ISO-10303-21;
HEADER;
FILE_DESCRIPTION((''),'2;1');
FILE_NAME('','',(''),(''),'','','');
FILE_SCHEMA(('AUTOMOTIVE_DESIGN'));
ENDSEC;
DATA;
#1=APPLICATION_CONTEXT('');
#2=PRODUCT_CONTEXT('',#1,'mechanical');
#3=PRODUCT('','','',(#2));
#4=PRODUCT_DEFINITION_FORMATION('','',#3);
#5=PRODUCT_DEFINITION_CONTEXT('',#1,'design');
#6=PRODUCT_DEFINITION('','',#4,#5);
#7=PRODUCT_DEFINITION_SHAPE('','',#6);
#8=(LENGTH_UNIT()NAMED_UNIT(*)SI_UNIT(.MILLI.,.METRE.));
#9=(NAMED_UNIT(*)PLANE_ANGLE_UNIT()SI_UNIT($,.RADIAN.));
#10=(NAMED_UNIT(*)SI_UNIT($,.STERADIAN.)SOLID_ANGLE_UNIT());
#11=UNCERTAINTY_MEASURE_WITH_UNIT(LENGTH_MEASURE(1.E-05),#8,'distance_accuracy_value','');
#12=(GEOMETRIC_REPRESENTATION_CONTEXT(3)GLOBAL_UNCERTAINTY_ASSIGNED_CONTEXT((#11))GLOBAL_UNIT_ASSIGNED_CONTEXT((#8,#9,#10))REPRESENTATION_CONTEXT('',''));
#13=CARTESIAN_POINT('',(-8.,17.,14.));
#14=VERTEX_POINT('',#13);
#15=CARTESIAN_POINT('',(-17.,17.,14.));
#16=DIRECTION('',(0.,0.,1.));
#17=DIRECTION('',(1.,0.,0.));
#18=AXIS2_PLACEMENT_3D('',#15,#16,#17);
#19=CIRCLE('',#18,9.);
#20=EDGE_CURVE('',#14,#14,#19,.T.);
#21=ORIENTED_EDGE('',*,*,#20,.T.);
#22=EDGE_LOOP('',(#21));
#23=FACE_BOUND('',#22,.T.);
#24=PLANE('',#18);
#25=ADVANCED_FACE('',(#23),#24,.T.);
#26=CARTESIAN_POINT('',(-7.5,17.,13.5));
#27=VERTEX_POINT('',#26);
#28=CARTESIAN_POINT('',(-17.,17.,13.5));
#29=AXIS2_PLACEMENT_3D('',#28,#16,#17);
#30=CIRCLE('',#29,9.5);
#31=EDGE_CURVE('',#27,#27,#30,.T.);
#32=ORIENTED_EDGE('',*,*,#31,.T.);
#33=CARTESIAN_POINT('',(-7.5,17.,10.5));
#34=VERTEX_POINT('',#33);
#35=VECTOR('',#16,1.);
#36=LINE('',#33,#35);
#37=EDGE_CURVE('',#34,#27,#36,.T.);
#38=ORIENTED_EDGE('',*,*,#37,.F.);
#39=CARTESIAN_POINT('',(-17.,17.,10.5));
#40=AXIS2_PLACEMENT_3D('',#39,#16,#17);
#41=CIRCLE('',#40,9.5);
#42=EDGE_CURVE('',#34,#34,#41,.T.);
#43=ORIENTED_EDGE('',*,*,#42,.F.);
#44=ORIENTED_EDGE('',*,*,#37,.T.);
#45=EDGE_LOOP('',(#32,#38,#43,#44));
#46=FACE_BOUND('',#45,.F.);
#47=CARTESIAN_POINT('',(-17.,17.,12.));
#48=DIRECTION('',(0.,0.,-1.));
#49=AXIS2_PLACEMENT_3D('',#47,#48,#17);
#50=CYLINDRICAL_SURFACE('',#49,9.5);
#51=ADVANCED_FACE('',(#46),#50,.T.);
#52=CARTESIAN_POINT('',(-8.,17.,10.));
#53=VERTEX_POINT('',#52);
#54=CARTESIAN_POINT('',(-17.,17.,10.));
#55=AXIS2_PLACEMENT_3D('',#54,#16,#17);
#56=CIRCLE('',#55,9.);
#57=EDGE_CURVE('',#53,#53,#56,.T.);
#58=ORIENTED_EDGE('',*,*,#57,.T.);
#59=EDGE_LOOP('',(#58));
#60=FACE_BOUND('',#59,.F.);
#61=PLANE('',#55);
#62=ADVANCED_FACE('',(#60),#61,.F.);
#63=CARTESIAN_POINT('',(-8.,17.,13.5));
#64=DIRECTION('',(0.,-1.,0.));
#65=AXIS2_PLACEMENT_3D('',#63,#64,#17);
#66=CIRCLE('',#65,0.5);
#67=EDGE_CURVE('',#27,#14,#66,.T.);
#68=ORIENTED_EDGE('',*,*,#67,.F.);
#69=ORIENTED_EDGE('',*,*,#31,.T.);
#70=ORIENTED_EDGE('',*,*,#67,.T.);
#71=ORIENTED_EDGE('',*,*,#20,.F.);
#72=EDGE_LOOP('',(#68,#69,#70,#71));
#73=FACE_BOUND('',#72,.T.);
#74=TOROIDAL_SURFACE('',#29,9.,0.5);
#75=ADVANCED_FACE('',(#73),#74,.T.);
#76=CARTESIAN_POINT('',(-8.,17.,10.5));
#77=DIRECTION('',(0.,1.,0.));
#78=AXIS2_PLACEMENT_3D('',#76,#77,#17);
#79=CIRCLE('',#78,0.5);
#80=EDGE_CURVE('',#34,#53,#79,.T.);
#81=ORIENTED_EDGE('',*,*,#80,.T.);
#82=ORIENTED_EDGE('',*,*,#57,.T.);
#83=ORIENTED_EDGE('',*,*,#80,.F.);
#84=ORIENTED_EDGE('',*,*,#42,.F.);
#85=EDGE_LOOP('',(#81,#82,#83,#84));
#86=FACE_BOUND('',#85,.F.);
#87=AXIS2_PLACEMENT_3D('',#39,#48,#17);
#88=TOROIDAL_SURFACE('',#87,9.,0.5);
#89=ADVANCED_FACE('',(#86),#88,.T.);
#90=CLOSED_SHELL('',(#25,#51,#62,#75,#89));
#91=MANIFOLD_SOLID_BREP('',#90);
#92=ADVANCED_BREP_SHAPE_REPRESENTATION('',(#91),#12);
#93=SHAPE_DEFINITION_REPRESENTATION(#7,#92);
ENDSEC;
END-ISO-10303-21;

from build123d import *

# Parameters (mm, degrees)
CYLINDER005_R     = 9.5
CYLINDER005_DEPTH = 2
FILLET005_R       = 0.5
CYLINDER004_R     = 9.5
CYLINDER004_DEPTH = 2
FILLET004_R       = 0.5


with BuildPart() as fillet005:
    # Cylinder005 → Cylinder005 (new body)
    with BuildSketch(Plane.XY.offset(12)):
        Circle(CYLINDER005_R)
    extrude(amount=CYLINDER005_DEPTH)

    # Fillet005
    fillet005_edges = [fillet005.edges().sort_by_distance(p)[0] for p in [
        (-9.5, 0, 14),
    ]]
    fillet(fillet005_edges, radius=FILLET005_R)


with BuildPart() as disc002:
    # Cylinder004 → Cylinder004 (new body)
    with BuildSketch(Plane.XY.offset(11)):
        Circle(CYLINDER004_R)
    extrude(amount=CYLINDER004_DEPTH)

    # Fillet004
    fillet004_edges = [disc002.edges().sort_by_distance(p)[0] for p in [
        (-9.5, 0, 11),
    ]]
    fillet(fillet004_edges, radius=FILLET004_R)


with BuildPart() as disc002_1:
    # Fillet004 placement: moved
    add(disc002.part.moved(Location((0, 0, -1))))

    # Fusion004: union Fillet005
    add(fillet005.part)


with BuildPart() as disc002_2:
    # Fusion004 placement: moved
    add(disc002_1.part.moved(Location((-17, 17, 0))))


solid = disc002_2.part
